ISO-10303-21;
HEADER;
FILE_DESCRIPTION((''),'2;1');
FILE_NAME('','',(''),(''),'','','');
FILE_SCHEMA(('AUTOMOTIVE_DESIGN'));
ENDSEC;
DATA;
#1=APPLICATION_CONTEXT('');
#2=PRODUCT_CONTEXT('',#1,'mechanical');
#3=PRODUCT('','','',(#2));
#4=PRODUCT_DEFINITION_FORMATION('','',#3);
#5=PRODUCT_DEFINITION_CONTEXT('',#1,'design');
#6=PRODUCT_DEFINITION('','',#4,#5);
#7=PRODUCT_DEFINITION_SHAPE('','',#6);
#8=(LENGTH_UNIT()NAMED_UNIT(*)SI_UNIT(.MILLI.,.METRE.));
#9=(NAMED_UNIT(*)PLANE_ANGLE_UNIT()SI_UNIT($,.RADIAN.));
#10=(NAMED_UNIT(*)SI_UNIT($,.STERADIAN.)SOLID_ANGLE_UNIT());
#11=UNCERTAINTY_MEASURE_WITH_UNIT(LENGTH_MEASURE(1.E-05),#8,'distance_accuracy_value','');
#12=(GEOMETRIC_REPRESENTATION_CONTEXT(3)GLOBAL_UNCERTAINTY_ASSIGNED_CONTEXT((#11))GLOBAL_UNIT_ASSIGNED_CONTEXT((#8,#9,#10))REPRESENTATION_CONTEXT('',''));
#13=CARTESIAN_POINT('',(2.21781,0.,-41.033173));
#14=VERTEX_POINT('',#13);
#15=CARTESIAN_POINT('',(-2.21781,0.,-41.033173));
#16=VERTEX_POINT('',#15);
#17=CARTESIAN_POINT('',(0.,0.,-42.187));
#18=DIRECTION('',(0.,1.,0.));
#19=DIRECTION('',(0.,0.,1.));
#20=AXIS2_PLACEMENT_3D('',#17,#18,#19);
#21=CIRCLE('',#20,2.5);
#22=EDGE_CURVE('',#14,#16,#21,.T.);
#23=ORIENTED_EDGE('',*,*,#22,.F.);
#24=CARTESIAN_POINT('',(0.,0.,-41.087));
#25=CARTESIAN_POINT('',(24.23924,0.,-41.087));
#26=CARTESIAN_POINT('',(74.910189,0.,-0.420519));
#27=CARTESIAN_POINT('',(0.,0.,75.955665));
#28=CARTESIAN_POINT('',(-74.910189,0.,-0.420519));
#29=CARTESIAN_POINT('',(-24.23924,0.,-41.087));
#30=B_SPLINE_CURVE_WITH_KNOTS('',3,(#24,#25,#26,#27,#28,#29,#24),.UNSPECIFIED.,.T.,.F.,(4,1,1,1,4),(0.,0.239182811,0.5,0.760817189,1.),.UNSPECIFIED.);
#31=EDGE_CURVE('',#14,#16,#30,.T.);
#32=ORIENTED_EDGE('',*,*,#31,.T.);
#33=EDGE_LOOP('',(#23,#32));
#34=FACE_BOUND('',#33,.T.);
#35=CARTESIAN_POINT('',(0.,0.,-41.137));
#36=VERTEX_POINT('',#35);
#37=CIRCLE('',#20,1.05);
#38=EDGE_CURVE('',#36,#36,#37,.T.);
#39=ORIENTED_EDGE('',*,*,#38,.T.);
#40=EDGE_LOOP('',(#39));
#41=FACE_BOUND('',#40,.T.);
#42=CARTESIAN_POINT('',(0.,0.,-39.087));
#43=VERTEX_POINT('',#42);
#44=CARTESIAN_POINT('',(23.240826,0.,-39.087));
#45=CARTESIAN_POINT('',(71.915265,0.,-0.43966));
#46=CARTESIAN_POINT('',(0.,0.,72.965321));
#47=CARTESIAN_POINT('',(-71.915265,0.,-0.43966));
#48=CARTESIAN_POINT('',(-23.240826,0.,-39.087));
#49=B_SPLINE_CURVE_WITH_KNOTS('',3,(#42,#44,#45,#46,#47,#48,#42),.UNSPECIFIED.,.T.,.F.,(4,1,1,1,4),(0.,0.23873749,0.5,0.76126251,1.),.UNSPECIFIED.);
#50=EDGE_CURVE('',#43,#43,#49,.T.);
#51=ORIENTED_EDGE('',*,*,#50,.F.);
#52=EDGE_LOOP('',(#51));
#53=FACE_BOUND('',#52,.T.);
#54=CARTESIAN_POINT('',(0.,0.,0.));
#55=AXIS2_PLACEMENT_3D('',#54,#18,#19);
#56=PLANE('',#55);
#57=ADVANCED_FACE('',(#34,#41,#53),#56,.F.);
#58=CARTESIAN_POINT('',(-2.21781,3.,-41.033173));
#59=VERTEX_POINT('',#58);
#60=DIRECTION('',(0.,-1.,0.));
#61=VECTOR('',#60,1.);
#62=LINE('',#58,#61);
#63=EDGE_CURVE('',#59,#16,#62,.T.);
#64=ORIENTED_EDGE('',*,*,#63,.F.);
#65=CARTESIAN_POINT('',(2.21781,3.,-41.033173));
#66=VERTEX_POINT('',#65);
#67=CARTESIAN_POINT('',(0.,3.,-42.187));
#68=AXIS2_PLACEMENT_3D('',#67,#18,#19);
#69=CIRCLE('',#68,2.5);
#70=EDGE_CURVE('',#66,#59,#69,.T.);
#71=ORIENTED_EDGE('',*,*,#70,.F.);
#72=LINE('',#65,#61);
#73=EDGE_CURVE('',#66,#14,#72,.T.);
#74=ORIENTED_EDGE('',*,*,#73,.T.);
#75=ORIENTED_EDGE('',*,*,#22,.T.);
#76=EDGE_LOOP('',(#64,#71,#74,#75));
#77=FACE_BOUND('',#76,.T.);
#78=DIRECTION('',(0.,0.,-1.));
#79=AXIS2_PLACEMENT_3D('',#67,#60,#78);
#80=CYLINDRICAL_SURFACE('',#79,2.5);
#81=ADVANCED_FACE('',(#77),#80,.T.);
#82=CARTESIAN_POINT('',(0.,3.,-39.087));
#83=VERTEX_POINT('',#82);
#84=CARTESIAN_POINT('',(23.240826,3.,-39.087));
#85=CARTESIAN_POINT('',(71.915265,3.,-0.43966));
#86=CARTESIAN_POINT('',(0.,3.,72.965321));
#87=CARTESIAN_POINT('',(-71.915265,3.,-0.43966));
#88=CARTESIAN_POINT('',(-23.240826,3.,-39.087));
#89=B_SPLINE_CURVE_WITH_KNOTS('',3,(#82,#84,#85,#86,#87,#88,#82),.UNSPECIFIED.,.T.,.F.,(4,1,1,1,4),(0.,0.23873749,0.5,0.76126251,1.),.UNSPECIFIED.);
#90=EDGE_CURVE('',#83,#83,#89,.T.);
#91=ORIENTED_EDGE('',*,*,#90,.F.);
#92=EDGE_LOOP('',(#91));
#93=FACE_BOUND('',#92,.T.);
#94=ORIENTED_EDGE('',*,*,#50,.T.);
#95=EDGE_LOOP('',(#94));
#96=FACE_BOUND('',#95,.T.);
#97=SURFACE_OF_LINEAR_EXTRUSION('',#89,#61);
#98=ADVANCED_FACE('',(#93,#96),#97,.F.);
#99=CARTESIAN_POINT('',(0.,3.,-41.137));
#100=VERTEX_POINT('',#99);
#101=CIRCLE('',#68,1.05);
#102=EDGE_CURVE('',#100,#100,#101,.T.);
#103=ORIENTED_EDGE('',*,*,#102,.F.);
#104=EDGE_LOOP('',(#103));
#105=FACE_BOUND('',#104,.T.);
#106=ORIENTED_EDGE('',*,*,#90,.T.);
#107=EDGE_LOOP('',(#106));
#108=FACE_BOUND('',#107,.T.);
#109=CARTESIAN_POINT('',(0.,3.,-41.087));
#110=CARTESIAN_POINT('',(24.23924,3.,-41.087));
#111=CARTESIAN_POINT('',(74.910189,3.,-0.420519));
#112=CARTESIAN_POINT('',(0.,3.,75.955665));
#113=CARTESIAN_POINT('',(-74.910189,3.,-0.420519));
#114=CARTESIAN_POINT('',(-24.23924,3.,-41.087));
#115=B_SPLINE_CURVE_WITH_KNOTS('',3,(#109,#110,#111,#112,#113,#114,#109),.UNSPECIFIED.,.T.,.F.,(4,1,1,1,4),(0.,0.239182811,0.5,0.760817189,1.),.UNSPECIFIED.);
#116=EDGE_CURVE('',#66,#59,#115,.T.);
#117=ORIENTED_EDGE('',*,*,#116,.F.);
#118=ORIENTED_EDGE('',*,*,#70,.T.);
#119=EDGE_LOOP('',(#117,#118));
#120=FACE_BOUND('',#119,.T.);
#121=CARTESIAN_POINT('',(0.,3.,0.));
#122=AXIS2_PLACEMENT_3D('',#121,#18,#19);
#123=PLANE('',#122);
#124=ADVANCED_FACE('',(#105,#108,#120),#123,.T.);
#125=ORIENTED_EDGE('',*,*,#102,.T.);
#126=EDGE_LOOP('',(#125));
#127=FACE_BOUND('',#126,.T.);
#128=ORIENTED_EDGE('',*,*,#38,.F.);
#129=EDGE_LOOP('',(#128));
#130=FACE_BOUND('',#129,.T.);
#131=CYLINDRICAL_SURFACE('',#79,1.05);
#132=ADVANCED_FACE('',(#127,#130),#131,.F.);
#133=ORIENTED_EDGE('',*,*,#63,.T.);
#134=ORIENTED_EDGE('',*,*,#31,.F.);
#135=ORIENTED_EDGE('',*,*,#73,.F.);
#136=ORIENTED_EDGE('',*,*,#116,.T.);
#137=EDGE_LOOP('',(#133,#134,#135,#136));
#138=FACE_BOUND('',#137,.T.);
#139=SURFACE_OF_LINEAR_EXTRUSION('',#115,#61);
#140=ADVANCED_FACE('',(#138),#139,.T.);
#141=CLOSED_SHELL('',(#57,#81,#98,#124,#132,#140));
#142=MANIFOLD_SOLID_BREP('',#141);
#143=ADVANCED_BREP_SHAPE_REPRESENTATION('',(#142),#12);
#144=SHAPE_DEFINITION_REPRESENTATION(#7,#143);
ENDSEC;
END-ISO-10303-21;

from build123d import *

# Parameters (mm, degrees)
SKETCH1_R           = 1.05
BOSS_EXTRUDE1_DEPTH = 3


with BuildPart() as part:
    # Sketch1 → Boss-Extrude1 (new body)
    # profile 1 of 2: a face of its own
    with BuildSketch(Plane(origin=(0, 0, 0), x_dir=(1, 0, 0), z_dir=(0, 1, 0))):
        with BuildLine():
            add(Edge.make_bspline(
                [(0, 41.087), (0.73948651, 41.087), (1.47897302, 41.068894144), (2.217810411, 41.033172899)],
                knots=[0, 0, 0, 0, 0.007296948, 0.007296948, 0.007296948, 0.007296948], degree=3))
            ThreePointArc((2.217810411, 41.033172899), (0, 44.687), (-2.217810411, 41.033172899))
            add(Edge.make_bspline(
                [(-2.217810411, 41.033172899), (-1.47897302, 41.068894144), (-0.73948651, 41.087), (0, 41.087)],
                knots=[0.992703052, 0.992703052, 0.992703052, 0.992703052, 1, 1, 1, 1], degree=3))
        make_face()
        with Locations(Location((0, 42.187, 0), (0, 0, 270))):
            Circle(SKETCH1_R, mode=Mode.SUBTRACT)
    # profile 2 of 2: a face of its own
    with BuildSketch(Plane(origin=(0, 0, 0), x_dir=(1, 0, 0), z_dir=(0, 1, 0))):
        with BuildLine():
            add(Edge.make_bspline(
                [(0, 41.087), (24.239239992, 41.087), (74.910188818, 0.42051916), (0, -75.955665108), (-74.910188818, 0.42051916), (-24.239239992, 41.087), (0, 41.087)],
                knots=[0, 0, 0, 0, 0.239182811, 0.5, 0.760817189, 1, 1, 1, 1], degree=3))
        make_face()
        with BuildLine():
            add(Edge.make_bspline(
                [(0, 39.087), (23.240826467, 39.087), (71.915264789, 0.439659971), (0, -72.965321113), (-71.915264789, 0.439659971), (-23.240826467, 39.087), (0, 39.087)],
                knots=[0, 0, 0, 0, 0.23873749, 0.5, 0.76126251, 1, 1, 1, 1], degree=3))
        make_face(mode=Mode.SUBTRACT)
    extrude(amount=BOSS_EXTRUDE1_DEPTH)


solid = part.part
